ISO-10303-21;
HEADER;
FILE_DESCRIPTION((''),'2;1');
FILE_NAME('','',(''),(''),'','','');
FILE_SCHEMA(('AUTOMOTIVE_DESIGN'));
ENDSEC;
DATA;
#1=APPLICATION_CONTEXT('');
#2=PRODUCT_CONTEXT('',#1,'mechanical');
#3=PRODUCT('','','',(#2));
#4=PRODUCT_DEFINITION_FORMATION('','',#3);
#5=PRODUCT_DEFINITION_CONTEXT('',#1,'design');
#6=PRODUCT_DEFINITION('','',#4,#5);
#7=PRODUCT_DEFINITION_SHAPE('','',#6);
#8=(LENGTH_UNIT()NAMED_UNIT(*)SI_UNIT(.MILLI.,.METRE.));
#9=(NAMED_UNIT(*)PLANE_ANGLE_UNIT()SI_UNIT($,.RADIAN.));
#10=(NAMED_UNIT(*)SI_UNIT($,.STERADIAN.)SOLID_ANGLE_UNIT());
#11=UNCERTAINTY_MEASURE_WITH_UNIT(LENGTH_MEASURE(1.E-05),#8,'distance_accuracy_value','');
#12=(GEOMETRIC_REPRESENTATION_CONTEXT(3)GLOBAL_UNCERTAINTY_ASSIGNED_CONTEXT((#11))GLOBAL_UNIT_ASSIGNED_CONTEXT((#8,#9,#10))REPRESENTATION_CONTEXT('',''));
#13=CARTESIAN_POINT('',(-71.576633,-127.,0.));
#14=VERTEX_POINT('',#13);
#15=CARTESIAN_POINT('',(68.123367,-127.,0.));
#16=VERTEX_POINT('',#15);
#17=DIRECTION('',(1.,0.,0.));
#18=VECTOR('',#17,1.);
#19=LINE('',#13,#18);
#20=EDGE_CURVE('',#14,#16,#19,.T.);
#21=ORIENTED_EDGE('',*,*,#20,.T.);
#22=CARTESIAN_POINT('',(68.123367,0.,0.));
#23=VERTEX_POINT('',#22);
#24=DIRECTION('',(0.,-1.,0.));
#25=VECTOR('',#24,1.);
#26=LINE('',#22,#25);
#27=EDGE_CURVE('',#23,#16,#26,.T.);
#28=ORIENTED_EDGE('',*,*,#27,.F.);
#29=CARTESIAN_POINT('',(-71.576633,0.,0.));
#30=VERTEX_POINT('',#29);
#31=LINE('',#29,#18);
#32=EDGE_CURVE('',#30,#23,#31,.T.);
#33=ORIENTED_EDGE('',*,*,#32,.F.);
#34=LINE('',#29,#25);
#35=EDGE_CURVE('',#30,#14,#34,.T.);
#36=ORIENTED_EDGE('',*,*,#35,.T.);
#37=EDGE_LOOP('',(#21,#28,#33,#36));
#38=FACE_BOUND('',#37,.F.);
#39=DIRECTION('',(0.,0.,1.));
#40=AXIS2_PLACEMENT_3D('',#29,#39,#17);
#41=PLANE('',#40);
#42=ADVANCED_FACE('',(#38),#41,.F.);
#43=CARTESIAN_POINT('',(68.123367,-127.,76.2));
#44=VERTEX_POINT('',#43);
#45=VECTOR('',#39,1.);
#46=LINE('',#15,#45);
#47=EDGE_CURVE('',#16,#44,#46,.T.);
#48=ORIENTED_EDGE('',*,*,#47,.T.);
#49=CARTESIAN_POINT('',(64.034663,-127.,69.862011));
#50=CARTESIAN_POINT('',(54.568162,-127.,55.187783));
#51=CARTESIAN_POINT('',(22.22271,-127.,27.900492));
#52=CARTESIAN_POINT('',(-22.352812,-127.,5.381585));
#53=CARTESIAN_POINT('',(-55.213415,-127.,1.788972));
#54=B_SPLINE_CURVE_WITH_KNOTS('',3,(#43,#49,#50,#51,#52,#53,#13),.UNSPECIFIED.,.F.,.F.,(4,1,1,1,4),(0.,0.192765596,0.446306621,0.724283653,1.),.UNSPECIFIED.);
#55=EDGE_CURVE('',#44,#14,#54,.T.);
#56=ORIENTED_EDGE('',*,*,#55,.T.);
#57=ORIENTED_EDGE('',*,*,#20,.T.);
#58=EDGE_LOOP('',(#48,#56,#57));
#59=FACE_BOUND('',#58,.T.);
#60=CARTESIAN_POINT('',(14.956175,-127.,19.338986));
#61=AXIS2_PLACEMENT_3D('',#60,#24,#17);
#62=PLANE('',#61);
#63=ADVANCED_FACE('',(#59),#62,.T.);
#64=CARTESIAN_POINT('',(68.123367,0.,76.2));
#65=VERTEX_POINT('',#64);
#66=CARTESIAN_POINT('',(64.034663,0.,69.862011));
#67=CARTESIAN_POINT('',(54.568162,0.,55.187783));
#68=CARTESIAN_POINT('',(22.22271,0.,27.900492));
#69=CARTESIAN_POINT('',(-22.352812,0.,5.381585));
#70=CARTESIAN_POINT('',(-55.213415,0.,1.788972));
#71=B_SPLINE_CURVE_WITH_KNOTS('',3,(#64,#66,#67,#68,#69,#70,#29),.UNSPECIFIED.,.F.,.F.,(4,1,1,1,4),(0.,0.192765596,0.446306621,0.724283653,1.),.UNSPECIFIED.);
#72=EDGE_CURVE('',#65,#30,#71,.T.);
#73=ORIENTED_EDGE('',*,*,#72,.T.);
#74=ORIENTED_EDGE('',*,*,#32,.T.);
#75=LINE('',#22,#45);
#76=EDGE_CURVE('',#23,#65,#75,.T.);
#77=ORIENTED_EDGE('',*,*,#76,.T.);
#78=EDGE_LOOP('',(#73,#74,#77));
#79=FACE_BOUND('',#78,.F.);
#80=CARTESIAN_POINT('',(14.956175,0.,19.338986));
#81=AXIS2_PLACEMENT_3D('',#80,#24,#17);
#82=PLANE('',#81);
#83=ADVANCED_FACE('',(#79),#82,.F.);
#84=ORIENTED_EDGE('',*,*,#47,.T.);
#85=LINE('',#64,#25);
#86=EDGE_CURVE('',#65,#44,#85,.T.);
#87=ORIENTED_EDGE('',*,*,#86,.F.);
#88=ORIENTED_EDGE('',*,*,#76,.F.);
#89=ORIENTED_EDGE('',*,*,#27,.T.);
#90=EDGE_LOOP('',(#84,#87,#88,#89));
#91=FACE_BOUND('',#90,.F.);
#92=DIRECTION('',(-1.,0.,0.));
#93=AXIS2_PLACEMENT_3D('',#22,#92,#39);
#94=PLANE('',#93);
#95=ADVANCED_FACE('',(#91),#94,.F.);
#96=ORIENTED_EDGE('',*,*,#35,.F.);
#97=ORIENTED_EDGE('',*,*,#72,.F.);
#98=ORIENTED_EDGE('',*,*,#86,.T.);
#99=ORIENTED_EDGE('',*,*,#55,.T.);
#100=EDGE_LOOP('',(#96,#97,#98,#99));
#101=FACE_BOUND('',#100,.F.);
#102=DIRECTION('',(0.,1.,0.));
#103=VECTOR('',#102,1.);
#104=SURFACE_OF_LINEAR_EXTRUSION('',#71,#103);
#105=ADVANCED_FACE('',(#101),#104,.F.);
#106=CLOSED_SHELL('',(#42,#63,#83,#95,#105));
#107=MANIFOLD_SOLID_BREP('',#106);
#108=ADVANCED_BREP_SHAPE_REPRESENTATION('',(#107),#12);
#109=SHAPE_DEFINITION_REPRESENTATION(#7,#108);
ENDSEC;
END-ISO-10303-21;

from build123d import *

# Parameters (mm, degrees)
F1_DEPTH = 127


with BuildPart() as f1:
    # F0 (on Front) → F1 (new body)
    with BuildSketch(Plane.XZ):
        with BuildLine():
            add(Edge.make_bspline(
                [(68.1233668917, 76.2), (64.0346627495, 69.8620112578), (54.5681620527, 55.1877827565), (22.2227103177, 27.9004922285), (-22.3528121361, 5.3815849517), (-55.2134152315, 1.7889723371), (-71.5766331083, 0)],
                knots=[0, 0, 0, 0, 0.1927655958, 0.4463066213, 0.7242836527, 1, 1, 1, 1], degree=3))
            Line((-71.5766331083, 0), (68.1233668917, 0))
            Line((68.1233668917, 0), (68.1233668917, 76.2))
        make_face()
    extrude(amount=F1_DEPTH)


solid = f1.part
